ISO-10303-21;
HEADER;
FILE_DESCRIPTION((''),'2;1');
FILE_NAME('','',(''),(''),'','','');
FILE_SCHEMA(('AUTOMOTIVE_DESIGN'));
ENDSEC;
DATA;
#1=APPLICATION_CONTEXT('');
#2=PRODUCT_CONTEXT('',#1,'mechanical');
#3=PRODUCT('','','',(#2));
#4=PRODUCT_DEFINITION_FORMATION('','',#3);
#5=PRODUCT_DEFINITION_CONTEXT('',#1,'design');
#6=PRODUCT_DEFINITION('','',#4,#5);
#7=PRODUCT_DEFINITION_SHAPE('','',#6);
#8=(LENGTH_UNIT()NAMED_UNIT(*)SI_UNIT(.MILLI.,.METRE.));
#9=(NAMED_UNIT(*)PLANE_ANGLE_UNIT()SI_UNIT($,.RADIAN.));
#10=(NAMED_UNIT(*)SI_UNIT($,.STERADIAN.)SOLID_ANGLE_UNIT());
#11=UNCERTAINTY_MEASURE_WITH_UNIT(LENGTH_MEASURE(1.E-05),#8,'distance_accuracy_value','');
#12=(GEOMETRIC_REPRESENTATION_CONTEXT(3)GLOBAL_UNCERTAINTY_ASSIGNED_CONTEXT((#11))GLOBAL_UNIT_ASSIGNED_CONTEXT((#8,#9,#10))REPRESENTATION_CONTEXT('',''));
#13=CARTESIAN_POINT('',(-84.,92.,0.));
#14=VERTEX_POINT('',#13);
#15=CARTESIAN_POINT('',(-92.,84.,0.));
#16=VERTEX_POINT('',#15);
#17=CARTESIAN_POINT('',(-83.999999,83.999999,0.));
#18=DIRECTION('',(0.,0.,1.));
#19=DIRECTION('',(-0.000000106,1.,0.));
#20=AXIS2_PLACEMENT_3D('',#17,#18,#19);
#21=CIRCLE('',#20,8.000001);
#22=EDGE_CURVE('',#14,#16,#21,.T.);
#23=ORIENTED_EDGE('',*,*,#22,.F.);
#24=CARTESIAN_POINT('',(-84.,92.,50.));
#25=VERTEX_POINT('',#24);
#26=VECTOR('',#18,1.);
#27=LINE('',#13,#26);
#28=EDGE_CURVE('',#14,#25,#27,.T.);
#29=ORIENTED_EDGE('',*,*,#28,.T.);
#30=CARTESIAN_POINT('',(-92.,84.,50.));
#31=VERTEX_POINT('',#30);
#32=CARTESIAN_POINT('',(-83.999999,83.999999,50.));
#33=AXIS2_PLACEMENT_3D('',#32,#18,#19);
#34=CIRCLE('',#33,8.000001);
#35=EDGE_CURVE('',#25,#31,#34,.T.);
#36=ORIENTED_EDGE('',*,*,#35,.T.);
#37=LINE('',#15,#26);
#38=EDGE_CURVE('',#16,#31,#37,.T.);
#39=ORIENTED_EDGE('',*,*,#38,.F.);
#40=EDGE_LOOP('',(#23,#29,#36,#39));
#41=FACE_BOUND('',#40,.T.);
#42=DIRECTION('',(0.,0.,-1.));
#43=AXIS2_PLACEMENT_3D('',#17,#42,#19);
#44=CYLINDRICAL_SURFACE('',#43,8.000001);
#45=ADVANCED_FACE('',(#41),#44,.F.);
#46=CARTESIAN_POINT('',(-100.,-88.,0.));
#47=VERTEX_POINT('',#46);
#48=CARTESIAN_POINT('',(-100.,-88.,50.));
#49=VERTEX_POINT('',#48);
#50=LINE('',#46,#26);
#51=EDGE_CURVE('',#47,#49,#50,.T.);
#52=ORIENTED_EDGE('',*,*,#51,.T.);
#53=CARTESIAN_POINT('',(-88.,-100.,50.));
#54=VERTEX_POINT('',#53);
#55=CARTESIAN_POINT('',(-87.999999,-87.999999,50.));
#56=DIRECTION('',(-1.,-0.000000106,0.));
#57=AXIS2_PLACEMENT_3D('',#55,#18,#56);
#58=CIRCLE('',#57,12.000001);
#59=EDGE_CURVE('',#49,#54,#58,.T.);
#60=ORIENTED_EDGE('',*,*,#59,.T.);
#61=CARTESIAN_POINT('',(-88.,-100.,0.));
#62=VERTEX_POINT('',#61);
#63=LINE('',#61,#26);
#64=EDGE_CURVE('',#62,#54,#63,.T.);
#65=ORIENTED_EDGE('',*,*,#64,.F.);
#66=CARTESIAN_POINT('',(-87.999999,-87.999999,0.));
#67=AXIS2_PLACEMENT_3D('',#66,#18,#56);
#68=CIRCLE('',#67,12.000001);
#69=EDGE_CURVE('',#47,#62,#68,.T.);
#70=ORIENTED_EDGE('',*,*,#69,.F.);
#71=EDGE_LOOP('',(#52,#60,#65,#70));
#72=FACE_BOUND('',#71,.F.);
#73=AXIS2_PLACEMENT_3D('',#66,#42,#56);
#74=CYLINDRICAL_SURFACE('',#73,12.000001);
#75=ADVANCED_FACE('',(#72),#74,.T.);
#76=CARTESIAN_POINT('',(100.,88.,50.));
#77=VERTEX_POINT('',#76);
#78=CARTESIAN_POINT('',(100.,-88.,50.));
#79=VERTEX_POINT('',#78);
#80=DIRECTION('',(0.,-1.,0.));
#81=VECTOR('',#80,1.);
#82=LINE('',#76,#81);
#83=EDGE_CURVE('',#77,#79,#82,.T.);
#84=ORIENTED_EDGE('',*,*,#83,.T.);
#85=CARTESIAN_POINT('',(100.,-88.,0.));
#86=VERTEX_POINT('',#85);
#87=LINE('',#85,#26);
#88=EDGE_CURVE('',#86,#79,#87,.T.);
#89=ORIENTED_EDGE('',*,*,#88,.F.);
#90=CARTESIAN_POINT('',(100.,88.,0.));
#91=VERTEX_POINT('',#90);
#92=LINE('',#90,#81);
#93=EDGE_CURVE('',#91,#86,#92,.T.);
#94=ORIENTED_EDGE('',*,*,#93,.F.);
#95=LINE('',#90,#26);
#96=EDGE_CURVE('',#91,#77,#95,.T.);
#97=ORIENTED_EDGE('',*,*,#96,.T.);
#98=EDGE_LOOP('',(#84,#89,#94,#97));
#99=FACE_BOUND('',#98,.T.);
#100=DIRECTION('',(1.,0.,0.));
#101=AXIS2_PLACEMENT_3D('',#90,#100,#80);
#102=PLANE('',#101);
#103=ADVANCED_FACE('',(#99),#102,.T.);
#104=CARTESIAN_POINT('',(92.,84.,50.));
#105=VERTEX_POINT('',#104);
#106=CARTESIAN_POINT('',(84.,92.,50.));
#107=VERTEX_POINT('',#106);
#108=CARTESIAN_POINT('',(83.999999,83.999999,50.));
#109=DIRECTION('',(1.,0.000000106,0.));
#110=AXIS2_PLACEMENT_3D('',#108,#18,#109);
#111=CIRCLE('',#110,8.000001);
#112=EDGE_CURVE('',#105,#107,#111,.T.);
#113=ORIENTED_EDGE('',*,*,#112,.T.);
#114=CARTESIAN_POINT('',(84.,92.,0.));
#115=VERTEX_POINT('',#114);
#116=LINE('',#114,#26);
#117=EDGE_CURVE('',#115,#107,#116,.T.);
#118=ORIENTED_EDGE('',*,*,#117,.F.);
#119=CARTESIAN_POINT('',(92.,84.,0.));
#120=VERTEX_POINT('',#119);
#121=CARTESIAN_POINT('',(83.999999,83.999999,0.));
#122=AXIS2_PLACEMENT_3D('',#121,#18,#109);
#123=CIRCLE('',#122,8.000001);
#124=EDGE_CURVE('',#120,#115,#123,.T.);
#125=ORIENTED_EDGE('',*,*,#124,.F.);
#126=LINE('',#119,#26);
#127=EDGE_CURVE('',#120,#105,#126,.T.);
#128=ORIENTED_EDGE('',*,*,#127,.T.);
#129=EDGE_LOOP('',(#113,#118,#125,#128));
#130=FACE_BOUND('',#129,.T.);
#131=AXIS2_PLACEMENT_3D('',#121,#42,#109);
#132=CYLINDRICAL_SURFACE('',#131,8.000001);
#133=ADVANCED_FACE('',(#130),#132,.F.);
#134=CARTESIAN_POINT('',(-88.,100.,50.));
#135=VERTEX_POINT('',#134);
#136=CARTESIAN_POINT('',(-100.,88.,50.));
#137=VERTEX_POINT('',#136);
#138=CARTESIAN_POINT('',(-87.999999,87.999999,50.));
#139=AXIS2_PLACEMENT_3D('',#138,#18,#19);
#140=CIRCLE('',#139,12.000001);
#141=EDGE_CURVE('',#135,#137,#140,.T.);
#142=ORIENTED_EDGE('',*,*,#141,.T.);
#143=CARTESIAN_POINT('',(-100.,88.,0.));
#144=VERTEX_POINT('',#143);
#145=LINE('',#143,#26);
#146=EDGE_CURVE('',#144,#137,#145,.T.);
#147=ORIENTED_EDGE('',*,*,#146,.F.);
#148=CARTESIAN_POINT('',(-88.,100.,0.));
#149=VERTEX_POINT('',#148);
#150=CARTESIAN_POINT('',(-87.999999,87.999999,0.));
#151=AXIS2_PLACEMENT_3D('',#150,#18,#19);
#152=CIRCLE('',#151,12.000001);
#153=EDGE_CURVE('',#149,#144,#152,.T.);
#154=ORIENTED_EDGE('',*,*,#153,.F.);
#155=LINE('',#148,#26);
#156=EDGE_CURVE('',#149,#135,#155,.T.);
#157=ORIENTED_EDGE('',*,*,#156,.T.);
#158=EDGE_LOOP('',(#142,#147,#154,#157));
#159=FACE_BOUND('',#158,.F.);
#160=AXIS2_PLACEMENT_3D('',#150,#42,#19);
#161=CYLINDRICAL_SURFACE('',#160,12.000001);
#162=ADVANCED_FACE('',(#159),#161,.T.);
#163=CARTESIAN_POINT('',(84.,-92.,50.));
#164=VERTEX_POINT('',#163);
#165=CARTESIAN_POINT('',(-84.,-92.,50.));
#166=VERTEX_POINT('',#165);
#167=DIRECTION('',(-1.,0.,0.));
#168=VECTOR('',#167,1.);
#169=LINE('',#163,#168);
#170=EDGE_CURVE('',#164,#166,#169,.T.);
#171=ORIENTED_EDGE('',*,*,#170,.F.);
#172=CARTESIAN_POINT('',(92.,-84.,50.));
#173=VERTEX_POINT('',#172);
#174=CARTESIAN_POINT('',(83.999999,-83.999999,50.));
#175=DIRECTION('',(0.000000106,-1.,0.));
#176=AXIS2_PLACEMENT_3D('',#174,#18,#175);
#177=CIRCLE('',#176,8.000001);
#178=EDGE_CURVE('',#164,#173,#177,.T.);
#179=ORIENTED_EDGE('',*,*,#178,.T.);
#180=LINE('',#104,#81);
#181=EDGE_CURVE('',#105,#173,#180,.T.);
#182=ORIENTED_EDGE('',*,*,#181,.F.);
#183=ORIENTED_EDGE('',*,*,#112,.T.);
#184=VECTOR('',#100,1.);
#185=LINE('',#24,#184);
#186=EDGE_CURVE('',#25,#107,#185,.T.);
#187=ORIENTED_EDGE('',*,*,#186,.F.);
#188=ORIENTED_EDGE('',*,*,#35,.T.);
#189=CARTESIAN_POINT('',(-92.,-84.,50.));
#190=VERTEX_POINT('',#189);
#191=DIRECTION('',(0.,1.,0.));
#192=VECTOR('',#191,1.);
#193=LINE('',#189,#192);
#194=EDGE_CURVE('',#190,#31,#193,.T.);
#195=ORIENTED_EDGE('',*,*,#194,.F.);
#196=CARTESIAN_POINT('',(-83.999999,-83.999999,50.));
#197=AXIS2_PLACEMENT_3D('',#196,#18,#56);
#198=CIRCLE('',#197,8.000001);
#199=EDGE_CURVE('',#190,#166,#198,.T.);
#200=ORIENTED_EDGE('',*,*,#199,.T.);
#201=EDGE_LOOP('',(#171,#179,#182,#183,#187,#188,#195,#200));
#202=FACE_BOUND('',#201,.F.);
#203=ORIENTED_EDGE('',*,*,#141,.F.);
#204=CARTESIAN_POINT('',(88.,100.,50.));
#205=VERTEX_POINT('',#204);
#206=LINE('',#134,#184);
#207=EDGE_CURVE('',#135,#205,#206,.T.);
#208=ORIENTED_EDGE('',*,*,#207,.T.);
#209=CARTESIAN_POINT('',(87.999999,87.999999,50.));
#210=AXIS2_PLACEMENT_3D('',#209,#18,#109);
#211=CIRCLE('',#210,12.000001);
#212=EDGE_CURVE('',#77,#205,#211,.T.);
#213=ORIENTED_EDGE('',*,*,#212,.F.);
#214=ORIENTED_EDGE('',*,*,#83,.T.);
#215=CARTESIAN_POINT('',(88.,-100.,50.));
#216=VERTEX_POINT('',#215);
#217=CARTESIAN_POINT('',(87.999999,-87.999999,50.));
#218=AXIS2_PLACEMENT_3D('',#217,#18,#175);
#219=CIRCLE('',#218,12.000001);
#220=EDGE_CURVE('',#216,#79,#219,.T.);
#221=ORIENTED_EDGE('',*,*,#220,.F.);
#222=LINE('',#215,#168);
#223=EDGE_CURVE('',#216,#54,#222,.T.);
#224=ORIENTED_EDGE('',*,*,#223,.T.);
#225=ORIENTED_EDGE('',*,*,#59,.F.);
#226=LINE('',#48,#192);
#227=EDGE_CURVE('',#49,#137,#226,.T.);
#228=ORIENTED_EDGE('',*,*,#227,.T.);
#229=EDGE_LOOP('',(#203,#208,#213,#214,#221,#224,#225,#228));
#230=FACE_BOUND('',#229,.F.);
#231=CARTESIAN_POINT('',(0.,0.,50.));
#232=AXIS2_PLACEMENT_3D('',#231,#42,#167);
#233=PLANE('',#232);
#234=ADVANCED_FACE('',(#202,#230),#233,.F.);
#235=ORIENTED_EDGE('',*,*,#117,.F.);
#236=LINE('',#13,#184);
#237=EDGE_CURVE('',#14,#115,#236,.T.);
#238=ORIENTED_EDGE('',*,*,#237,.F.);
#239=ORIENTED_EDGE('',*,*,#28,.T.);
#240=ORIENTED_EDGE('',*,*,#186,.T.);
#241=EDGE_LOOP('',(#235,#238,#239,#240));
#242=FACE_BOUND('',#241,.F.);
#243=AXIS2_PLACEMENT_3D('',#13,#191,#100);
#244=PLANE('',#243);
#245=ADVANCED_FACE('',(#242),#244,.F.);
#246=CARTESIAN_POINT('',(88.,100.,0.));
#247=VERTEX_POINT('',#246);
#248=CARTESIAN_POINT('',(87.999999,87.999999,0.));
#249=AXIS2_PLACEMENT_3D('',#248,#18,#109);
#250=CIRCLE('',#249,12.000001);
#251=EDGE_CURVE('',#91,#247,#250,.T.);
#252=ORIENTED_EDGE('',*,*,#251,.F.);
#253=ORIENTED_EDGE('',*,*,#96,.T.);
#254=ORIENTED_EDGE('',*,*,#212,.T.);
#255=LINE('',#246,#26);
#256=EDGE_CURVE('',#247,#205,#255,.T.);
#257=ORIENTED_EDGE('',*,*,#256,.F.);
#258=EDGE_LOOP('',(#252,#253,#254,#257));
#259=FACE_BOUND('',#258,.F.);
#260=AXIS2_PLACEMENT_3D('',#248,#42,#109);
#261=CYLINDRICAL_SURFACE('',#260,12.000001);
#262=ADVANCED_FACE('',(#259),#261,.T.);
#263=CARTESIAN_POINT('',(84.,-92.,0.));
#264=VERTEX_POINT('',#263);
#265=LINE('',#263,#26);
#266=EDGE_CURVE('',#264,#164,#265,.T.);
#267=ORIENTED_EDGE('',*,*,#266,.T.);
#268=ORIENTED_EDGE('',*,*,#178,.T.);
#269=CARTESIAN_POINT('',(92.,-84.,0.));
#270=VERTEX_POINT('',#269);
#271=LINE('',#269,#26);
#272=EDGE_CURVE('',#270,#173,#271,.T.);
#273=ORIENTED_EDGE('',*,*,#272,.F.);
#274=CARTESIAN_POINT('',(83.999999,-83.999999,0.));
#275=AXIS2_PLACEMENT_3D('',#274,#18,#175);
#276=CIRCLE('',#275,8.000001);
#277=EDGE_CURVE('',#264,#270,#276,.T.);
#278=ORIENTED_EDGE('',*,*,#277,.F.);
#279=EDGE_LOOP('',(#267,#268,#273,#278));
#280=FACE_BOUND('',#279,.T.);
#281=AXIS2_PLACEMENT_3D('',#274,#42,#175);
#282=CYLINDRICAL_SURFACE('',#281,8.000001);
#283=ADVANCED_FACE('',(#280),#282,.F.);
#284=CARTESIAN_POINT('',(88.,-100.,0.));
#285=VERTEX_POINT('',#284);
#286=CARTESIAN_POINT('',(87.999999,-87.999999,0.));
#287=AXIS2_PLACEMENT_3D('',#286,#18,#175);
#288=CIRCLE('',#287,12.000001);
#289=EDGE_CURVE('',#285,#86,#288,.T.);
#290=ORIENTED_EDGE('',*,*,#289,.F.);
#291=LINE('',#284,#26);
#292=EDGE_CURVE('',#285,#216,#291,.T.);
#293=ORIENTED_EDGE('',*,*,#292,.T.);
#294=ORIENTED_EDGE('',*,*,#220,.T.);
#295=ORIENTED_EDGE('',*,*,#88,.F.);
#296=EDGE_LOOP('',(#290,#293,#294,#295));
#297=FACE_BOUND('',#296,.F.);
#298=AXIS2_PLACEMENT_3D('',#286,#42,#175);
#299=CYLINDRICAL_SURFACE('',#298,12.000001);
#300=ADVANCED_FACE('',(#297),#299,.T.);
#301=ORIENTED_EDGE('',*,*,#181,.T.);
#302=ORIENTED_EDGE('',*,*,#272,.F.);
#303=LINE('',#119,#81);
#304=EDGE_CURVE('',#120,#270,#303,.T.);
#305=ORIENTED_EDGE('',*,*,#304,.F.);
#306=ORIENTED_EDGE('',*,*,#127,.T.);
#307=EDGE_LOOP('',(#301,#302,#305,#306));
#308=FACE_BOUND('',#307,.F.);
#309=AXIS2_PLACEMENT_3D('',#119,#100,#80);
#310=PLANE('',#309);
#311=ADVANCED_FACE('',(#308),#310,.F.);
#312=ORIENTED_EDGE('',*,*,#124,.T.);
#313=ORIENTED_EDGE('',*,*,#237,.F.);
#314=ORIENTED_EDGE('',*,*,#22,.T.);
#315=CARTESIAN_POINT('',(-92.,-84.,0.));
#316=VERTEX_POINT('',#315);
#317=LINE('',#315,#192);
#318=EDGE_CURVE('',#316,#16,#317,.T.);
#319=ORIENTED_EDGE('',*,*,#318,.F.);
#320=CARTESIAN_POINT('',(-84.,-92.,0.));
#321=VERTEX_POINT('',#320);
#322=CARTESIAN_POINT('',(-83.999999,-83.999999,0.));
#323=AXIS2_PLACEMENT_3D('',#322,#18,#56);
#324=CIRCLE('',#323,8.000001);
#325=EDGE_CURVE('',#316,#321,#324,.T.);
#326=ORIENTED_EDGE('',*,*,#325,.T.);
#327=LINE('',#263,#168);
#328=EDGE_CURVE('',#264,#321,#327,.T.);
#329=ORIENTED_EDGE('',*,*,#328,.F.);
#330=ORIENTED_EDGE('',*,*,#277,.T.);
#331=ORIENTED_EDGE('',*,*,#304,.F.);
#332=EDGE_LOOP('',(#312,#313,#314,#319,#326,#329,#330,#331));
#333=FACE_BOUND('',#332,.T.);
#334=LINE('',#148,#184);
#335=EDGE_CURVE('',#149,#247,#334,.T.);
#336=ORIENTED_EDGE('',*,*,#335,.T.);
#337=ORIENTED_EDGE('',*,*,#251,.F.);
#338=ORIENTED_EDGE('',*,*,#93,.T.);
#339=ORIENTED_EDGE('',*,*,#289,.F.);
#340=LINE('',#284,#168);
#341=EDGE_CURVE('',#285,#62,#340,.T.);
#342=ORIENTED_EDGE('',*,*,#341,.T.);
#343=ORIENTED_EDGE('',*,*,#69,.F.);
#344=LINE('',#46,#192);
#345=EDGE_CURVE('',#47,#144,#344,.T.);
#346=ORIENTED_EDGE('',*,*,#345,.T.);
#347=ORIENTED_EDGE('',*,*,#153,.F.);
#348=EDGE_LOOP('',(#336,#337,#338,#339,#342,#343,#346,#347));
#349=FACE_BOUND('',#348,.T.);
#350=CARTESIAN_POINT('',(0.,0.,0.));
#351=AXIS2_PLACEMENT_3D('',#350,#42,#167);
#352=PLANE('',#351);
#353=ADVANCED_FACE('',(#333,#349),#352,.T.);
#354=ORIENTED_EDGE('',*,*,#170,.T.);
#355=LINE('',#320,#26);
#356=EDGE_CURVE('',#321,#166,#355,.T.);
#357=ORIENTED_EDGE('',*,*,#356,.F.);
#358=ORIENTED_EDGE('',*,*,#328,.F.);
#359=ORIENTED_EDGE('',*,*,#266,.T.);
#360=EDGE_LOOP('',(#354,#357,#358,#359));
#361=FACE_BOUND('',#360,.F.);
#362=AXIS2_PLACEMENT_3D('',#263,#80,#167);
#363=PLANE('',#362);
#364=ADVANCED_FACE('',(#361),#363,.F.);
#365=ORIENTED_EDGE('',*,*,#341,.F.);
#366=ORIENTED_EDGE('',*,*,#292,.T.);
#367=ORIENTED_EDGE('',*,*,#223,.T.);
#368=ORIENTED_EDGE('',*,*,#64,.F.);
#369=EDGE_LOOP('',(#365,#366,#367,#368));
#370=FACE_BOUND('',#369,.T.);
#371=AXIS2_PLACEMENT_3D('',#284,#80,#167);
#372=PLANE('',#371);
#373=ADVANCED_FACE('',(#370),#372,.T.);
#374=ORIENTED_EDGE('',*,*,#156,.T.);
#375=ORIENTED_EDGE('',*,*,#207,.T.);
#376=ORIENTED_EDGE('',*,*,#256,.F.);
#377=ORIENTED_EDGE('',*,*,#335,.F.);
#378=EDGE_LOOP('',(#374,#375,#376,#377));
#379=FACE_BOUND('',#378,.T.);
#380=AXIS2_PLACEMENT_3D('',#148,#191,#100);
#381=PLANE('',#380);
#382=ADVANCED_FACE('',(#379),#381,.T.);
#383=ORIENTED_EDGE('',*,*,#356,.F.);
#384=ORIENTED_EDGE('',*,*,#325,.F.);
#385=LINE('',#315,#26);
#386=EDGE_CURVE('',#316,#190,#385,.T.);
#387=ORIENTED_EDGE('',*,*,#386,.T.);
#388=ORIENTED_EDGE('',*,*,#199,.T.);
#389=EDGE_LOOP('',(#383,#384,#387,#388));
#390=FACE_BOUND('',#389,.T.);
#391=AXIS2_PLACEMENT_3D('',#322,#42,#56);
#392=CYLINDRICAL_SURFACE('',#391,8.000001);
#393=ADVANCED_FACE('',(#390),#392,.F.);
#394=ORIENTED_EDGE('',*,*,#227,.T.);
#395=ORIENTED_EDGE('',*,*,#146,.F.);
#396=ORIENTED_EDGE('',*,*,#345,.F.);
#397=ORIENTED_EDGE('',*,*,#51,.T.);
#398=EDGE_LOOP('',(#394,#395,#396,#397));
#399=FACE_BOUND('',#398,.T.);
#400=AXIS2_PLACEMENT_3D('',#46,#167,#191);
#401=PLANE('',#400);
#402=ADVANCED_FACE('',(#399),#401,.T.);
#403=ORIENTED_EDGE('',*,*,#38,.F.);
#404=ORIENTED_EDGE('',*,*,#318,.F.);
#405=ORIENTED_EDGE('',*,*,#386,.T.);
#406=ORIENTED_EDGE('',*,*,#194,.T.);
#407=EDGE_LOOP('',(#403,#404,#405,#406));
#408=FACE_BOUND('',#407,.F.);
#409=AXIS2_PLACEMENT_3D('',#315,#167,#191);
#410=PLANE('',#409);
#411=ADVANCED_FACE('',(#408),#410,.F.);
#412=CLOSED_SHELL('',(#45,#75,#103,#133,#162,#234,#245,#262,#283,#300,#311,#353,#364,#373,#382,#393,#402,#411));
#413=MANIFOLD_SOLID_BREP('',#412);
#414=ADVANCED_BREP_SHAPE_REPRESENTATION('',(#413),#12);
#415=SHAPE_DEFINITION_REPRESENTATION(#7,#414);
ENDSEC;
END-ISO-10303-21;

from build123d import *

# Parameters (mm, degrees)
EXTRUDE_DEPTH = 50


with BuildPart() as part:
    # Sketch → Extrude (new body)
    with BuildSketch(Plane.XY):
        with BuildLine():
            Line((-88, 100), (88, 100))
            ThreePointArc((100, 88), (96.485281, 96.485281), (88, 100))
            Line((100, 88), (100, -88))
            ThreePointArc((88, -100), (96.485281, -96.485281), (100, -88))
            Line((88, -100), (-88, -100))
            ThreePointArc((-100, -88), (-96.485281, -96.485281), (-88, -100))
            Line((-100, -88), (-100, 88))
            ThreePointArc((-88, 100), (-96.485281, 96.485281), (-100, 88))
        make_face()
        with BuildLine():
            Line((-84, 92), (84, 92))
            ThreePointArc((92, 84), (89.656854, 89.656854), (84, 92))
            Line((92, 84), (92, -84))
            ThreePointArc((84, -92), (89.656854, -89.656854), (92, -84))
            Line((84, -92), (-84, -92))
            ThreePointArc((-92, -84), (-89.656854, -89.656854), (-84, -92))
            Line((-92, -84), (-92, 84))
            ThreePointArc((-84, 92), (-89.656854, 89.656854), (-92, 84))
        make_face(mode=Mode.SUBTRACT)
    extrude(amount=EXTRUDE_DEPTH)


solid = part.part
